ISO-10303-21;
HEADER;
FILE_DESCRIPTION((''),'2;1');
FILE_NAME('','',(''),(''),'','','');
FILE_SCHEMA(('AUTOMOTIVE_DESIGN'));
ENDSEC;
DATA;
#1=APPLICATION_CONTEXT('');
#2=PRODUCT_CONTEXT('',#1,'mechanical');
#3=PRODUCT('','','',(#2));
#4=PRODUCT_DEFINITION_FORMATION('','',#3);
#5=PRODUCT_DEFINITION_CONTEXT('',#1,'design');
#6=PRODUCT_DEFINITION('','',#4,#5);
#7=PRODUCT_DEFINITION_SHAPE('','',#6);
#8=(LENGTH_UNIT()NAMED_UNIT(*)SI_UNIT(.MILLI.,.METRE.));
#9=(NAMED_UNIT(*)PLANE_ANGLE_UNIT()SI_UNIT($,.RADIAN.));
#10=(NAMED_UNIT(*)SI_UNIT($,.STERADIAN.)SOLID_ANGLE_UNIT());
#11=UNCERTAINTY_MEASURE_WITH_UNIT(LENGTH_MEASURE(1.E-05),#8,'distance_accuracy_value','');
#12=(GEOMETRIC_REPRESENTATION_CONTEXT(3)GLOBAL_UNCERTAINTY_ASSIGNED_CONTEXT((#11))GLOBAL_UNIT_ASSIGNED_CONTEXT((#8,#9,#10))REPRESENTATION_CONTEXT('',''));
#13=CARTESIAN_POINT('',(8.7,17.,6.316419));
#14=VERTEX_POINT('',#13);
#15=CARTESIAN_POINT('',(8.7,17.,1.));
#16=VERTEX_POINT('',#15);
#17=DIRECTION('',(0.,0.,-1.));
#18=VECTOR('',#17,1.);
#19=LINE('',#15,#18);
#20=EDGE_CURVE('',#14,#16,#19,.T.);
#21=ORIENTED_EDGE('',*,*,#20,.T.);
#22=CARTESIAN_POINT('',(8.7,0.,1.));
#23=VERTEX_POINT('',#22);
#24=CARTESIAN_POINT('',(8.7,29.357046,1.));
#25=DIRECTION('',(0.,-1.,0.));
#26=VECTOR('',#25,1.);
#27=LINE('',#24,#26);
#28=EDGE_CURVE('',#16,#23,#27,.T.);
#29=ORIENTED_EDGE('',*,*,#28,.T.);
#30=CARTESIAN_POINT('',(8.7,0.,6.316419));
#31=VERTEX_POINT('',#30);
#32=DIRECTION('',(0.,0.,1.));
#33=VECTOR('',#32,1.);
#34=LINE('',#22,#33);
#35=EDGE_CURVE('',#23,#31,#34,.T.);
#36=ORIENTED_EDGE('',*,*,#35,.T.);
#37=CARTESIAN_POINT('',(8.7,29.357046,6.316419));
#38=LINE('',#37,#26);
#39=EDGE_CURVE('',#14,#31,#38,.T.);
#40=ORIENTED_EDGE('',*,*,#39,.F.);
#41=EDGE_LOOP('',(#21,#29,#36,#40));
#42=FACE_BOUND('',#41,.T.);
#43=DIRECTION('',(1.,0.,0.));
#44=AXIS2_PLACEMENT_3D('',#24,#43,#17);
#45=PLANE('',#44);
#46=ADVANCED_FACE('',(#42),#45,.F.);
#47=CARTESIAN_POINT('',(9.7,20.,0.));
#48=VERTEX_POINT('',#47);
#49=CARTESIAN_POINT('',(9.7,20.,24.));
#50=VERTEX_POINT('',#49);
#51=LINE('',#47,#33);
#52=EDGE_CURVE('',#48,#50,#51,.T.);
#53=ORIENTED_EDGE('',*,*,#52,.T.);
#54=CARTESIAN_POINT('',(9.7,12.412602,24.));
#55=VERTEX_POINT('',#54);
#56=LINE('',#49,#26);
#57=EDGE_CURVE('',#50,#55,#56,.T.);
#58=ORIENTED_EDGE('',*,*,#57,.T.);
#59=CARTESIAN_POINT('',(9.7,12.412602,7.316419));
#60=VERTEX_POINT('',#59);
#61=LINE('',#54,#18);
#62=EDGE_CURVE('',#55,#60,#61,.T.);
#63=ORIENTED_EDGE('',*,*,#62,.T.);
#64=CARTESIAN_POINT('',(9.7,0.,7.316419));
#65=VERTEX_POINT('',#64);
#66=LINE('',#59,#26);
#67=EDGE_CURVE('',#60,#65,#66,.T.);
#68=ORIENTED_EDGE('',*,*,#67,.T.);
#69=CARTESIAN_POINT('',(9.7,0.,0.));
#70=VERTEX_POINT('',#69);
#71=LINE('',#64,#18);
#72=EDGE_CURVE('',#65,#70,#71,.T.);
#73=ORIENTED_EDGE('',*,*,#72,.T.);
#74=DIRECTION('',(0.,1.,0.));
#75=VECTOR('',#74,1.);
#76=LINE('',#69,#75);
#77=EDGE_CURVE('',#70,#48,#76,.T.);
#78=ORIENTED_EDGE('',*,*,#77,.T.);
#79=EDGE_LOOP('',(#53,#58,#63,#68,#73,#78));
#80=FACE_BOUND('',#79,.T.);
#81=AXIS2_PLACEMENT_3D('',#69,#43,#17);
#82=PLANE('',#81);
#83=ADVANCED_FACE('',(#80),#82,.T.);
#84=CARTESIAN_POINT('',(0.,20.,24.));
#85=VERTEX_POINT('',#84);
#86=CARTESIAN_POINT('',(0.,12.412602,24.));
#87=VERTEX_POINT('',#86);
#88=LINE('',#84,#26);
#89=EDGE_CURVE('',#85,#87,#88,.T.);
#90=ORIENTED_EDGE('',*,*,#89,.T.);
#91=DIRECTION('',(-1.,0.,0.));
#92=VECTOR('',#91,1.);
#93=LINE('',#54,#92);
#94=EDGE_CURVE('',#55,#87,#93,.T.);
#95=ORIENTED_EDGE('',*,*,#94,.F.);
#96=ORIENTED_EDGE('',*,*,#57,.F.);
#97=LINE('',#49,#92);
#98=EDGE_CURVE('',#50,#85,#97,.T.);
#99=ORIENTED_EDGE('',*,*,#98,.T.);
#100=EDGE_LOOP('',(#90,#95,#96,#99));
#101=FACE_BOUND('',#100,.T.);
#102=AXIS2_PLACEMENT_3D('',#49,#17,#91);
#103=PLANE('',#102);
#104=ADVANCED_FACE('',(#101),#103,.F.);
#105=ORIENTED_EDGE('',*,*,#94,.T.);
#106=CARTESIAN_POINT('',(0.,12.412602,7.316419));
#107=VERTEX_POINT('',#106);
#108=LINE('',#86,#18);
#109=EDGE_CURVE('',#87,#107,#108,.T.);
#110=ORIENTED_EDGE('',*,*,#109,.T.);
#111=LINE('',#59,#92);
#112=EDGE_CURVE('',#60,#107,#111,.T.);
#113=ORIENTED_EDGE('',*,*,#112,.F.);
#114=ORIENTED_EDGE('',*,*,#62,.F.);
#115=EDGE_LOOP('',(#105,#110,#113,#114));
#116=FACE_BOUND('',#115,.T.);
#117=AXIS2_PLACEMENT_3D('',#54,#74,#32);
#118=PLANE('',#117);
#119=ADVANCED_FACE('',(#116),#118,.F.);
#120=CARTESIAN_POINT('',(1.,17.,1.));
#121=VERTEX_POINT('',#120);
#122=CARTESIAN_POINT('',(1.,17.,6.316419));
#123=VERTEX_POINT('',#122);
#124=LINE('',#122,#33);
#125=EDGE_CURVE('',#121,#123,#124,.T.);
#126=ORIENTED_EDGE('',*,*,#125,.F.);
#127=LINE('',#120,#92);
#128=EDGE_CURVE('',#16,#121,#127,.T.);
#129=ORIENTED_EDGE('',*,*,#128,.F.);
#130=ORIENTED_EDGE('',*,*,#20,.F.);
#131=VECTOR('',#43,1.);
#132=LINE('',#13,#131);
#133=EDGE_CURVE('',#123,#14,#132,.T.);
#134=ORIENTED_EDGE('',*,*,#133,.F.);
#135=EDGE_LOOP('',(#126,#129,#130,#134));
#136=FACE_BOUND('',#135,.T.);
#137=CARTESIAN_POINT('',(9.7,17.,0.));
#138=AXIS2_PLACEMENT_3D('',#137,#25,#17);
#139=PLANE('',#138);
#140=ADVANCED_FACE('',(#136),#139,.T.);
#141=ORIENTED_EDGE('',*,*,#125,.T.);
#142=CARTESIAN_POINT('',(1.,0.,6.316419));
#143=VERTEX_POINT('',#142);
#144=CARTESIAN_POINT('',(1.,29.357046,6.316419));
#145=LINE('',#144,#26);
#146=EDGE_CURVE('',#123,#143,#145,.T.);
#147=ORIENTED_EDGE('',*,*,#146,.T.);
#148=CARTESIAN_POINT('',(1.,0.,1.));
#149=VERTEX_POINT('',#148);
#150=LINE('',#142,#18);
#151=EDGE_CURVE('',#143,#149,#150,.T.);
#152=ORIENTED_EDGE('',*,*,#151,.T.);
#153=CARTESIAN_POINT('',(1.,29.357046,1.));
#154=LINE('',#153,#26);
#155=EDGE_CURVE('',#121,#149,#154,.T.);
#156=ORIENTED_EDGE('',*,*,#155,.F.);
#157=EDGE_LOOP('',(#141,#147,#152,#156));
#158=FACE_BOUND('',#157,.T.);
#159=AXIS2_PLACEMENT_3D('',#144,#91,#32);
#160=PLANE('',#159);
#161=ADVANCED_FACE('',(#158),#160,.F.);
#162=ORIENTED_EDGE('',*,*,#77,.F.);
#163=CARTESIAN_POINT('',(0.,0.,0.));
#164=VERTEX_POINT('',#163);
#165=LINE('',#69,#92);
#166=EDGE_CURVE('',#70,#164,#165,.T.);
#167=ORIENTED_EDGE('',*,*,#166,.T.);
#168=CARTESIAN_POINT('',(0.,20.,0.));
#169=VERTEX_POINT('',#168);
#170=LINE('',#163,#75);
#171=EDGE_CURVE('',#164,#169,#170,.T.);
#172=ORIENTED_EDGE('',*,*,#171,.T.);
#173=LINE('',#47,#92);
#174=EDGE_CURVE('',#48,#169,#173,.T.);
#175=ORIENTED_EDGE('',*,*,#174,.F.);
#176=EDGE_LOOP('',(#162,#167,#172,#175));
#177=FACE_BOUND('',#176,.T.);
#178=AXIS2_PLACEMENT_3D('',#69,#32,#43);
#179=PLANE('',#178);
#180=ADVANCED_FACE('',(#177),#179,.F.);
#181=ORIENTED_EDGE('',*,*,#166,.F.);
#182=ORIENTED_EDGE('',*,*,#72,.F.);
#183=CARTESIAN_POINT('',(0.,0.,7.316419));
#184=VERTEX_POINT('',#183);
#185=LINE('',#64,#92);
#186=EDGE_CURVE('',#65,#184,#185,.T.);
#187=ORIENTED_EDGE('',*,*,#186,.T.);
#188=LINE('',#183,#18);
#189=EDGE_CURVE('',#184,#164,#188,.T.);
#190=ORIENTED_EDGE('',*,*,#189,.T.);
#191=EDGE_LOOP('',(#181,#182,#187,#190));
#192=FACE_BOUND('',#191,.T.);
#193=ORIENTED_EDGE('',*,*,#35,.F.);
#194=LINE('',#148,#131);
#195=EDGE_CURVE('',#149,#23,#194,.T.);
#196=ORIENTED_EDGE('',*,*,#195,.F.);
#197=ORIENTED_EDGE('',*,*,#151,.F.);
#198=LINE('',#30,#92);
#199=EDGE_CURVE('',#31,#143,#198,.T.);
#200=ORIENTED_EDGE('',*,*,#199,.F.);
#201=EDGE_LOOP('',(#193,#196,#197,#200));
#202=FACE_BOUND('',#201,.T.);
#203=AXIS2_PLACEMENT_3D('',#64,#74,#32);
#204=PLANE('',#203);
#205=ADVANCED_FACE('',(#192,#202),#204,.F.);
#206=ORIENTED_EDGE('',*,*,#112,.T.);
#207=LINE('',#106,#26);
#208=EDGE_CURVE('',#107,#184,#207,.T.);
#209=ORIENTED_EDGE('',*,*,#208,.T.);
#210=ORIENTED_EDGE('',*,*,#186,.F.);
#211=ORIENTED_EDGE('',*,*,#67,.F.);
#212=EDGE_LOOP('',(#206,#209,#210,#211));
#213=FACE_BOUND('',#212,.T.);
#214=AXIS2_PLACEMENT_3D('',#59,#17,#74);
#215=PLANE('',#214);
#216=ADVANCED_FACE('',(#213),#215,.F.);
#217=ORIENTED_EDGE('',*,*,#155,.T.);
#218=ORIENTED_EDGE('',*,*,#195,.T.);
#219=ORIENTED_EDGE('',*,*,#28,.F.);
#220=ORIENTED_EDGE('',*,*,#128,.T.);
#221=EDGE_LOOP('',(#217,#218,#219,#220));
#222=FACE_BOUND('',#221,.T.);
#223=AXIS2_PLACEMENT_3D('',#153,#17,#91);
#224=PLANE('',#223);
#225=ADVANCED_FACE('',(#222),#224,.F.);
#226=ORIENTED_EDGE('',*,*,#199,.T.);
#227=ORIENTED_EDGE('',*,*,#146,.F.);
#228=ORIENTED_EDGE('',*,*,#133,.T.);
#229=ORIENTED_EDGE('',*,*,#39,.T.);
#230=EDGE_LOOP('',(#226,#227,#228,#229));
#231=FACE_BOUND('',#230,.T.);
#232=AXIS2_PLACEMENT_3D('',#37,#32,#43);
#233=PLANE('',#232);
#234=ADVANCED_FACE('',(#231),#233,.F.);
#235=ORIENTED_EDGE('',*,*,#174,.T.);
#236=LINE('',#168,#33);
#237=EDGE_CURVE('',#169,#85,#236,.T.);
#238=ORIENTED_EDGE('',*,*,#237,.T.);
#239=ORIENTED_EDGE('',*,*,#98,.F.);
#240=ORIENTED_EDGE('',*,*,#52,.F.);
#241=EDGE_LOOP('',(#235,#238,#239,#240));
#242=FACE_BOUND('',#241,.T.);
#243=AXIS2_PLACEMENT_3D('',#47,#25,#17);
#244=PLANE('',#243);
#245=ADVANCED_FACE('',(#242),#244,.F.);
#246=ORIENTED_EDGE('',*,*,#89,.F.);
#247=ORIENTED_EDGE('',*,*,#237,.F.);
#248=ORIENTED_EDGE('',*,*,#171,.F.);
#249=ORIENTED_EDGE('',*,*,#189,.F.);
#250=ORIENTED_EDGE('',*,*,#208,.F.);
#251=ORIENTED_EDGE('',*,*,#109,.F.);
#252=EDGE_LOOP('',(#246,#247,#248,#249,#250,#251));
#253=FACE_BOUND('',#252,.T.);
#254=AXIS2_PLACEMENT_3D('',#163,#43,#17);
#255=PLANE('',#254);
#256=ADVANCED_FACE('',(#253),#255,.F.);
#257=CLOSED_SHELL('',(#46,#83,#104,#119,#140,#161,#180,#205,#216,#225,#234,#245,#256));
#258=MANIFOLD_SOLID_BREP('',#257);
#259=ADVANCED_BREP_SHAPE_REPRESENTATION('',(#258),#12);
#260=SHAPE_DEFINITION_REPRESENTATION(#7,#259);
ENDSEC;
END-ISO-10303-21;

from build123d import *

# Parameters (mm, degrees)
EXTRUDE_1_DEPTH     = 9.7
SKETCH_2_W          = 7.7
SKETCH_2_H          = 5.316419403
CUT_EXTRUDE_1_DEPTH = 17


with BuildPart() as part:
    # 草圖1 → 填料-伸長1 (new body)
    with BuildSketch(Plane(origin=(0, 0, 0), x_dir=(0, 0, -1), z_dir=(1, 0, 0))):
        Polygon((0, 0), (0, 20), (-24, 20), (-24, 12.4126021), (-7.316419403, 12.4126021), (-7.316419403, 0), align=None)
    extrude(amount=EXTRUDE_1_DEPTH)

    # 草圖2 → 除料-伸長1 (cut)
    with BuildSketch(Plane.XZ):
        with Locations((4.85, 3.658209702)):
            Rectangle(SKETCH_2_W, SKETCH_2_H)
    extrude(amount=-CUT_EXTRUDE_1_DEPTH, mode=Mode.SUBTRACT)


solid = part.part
